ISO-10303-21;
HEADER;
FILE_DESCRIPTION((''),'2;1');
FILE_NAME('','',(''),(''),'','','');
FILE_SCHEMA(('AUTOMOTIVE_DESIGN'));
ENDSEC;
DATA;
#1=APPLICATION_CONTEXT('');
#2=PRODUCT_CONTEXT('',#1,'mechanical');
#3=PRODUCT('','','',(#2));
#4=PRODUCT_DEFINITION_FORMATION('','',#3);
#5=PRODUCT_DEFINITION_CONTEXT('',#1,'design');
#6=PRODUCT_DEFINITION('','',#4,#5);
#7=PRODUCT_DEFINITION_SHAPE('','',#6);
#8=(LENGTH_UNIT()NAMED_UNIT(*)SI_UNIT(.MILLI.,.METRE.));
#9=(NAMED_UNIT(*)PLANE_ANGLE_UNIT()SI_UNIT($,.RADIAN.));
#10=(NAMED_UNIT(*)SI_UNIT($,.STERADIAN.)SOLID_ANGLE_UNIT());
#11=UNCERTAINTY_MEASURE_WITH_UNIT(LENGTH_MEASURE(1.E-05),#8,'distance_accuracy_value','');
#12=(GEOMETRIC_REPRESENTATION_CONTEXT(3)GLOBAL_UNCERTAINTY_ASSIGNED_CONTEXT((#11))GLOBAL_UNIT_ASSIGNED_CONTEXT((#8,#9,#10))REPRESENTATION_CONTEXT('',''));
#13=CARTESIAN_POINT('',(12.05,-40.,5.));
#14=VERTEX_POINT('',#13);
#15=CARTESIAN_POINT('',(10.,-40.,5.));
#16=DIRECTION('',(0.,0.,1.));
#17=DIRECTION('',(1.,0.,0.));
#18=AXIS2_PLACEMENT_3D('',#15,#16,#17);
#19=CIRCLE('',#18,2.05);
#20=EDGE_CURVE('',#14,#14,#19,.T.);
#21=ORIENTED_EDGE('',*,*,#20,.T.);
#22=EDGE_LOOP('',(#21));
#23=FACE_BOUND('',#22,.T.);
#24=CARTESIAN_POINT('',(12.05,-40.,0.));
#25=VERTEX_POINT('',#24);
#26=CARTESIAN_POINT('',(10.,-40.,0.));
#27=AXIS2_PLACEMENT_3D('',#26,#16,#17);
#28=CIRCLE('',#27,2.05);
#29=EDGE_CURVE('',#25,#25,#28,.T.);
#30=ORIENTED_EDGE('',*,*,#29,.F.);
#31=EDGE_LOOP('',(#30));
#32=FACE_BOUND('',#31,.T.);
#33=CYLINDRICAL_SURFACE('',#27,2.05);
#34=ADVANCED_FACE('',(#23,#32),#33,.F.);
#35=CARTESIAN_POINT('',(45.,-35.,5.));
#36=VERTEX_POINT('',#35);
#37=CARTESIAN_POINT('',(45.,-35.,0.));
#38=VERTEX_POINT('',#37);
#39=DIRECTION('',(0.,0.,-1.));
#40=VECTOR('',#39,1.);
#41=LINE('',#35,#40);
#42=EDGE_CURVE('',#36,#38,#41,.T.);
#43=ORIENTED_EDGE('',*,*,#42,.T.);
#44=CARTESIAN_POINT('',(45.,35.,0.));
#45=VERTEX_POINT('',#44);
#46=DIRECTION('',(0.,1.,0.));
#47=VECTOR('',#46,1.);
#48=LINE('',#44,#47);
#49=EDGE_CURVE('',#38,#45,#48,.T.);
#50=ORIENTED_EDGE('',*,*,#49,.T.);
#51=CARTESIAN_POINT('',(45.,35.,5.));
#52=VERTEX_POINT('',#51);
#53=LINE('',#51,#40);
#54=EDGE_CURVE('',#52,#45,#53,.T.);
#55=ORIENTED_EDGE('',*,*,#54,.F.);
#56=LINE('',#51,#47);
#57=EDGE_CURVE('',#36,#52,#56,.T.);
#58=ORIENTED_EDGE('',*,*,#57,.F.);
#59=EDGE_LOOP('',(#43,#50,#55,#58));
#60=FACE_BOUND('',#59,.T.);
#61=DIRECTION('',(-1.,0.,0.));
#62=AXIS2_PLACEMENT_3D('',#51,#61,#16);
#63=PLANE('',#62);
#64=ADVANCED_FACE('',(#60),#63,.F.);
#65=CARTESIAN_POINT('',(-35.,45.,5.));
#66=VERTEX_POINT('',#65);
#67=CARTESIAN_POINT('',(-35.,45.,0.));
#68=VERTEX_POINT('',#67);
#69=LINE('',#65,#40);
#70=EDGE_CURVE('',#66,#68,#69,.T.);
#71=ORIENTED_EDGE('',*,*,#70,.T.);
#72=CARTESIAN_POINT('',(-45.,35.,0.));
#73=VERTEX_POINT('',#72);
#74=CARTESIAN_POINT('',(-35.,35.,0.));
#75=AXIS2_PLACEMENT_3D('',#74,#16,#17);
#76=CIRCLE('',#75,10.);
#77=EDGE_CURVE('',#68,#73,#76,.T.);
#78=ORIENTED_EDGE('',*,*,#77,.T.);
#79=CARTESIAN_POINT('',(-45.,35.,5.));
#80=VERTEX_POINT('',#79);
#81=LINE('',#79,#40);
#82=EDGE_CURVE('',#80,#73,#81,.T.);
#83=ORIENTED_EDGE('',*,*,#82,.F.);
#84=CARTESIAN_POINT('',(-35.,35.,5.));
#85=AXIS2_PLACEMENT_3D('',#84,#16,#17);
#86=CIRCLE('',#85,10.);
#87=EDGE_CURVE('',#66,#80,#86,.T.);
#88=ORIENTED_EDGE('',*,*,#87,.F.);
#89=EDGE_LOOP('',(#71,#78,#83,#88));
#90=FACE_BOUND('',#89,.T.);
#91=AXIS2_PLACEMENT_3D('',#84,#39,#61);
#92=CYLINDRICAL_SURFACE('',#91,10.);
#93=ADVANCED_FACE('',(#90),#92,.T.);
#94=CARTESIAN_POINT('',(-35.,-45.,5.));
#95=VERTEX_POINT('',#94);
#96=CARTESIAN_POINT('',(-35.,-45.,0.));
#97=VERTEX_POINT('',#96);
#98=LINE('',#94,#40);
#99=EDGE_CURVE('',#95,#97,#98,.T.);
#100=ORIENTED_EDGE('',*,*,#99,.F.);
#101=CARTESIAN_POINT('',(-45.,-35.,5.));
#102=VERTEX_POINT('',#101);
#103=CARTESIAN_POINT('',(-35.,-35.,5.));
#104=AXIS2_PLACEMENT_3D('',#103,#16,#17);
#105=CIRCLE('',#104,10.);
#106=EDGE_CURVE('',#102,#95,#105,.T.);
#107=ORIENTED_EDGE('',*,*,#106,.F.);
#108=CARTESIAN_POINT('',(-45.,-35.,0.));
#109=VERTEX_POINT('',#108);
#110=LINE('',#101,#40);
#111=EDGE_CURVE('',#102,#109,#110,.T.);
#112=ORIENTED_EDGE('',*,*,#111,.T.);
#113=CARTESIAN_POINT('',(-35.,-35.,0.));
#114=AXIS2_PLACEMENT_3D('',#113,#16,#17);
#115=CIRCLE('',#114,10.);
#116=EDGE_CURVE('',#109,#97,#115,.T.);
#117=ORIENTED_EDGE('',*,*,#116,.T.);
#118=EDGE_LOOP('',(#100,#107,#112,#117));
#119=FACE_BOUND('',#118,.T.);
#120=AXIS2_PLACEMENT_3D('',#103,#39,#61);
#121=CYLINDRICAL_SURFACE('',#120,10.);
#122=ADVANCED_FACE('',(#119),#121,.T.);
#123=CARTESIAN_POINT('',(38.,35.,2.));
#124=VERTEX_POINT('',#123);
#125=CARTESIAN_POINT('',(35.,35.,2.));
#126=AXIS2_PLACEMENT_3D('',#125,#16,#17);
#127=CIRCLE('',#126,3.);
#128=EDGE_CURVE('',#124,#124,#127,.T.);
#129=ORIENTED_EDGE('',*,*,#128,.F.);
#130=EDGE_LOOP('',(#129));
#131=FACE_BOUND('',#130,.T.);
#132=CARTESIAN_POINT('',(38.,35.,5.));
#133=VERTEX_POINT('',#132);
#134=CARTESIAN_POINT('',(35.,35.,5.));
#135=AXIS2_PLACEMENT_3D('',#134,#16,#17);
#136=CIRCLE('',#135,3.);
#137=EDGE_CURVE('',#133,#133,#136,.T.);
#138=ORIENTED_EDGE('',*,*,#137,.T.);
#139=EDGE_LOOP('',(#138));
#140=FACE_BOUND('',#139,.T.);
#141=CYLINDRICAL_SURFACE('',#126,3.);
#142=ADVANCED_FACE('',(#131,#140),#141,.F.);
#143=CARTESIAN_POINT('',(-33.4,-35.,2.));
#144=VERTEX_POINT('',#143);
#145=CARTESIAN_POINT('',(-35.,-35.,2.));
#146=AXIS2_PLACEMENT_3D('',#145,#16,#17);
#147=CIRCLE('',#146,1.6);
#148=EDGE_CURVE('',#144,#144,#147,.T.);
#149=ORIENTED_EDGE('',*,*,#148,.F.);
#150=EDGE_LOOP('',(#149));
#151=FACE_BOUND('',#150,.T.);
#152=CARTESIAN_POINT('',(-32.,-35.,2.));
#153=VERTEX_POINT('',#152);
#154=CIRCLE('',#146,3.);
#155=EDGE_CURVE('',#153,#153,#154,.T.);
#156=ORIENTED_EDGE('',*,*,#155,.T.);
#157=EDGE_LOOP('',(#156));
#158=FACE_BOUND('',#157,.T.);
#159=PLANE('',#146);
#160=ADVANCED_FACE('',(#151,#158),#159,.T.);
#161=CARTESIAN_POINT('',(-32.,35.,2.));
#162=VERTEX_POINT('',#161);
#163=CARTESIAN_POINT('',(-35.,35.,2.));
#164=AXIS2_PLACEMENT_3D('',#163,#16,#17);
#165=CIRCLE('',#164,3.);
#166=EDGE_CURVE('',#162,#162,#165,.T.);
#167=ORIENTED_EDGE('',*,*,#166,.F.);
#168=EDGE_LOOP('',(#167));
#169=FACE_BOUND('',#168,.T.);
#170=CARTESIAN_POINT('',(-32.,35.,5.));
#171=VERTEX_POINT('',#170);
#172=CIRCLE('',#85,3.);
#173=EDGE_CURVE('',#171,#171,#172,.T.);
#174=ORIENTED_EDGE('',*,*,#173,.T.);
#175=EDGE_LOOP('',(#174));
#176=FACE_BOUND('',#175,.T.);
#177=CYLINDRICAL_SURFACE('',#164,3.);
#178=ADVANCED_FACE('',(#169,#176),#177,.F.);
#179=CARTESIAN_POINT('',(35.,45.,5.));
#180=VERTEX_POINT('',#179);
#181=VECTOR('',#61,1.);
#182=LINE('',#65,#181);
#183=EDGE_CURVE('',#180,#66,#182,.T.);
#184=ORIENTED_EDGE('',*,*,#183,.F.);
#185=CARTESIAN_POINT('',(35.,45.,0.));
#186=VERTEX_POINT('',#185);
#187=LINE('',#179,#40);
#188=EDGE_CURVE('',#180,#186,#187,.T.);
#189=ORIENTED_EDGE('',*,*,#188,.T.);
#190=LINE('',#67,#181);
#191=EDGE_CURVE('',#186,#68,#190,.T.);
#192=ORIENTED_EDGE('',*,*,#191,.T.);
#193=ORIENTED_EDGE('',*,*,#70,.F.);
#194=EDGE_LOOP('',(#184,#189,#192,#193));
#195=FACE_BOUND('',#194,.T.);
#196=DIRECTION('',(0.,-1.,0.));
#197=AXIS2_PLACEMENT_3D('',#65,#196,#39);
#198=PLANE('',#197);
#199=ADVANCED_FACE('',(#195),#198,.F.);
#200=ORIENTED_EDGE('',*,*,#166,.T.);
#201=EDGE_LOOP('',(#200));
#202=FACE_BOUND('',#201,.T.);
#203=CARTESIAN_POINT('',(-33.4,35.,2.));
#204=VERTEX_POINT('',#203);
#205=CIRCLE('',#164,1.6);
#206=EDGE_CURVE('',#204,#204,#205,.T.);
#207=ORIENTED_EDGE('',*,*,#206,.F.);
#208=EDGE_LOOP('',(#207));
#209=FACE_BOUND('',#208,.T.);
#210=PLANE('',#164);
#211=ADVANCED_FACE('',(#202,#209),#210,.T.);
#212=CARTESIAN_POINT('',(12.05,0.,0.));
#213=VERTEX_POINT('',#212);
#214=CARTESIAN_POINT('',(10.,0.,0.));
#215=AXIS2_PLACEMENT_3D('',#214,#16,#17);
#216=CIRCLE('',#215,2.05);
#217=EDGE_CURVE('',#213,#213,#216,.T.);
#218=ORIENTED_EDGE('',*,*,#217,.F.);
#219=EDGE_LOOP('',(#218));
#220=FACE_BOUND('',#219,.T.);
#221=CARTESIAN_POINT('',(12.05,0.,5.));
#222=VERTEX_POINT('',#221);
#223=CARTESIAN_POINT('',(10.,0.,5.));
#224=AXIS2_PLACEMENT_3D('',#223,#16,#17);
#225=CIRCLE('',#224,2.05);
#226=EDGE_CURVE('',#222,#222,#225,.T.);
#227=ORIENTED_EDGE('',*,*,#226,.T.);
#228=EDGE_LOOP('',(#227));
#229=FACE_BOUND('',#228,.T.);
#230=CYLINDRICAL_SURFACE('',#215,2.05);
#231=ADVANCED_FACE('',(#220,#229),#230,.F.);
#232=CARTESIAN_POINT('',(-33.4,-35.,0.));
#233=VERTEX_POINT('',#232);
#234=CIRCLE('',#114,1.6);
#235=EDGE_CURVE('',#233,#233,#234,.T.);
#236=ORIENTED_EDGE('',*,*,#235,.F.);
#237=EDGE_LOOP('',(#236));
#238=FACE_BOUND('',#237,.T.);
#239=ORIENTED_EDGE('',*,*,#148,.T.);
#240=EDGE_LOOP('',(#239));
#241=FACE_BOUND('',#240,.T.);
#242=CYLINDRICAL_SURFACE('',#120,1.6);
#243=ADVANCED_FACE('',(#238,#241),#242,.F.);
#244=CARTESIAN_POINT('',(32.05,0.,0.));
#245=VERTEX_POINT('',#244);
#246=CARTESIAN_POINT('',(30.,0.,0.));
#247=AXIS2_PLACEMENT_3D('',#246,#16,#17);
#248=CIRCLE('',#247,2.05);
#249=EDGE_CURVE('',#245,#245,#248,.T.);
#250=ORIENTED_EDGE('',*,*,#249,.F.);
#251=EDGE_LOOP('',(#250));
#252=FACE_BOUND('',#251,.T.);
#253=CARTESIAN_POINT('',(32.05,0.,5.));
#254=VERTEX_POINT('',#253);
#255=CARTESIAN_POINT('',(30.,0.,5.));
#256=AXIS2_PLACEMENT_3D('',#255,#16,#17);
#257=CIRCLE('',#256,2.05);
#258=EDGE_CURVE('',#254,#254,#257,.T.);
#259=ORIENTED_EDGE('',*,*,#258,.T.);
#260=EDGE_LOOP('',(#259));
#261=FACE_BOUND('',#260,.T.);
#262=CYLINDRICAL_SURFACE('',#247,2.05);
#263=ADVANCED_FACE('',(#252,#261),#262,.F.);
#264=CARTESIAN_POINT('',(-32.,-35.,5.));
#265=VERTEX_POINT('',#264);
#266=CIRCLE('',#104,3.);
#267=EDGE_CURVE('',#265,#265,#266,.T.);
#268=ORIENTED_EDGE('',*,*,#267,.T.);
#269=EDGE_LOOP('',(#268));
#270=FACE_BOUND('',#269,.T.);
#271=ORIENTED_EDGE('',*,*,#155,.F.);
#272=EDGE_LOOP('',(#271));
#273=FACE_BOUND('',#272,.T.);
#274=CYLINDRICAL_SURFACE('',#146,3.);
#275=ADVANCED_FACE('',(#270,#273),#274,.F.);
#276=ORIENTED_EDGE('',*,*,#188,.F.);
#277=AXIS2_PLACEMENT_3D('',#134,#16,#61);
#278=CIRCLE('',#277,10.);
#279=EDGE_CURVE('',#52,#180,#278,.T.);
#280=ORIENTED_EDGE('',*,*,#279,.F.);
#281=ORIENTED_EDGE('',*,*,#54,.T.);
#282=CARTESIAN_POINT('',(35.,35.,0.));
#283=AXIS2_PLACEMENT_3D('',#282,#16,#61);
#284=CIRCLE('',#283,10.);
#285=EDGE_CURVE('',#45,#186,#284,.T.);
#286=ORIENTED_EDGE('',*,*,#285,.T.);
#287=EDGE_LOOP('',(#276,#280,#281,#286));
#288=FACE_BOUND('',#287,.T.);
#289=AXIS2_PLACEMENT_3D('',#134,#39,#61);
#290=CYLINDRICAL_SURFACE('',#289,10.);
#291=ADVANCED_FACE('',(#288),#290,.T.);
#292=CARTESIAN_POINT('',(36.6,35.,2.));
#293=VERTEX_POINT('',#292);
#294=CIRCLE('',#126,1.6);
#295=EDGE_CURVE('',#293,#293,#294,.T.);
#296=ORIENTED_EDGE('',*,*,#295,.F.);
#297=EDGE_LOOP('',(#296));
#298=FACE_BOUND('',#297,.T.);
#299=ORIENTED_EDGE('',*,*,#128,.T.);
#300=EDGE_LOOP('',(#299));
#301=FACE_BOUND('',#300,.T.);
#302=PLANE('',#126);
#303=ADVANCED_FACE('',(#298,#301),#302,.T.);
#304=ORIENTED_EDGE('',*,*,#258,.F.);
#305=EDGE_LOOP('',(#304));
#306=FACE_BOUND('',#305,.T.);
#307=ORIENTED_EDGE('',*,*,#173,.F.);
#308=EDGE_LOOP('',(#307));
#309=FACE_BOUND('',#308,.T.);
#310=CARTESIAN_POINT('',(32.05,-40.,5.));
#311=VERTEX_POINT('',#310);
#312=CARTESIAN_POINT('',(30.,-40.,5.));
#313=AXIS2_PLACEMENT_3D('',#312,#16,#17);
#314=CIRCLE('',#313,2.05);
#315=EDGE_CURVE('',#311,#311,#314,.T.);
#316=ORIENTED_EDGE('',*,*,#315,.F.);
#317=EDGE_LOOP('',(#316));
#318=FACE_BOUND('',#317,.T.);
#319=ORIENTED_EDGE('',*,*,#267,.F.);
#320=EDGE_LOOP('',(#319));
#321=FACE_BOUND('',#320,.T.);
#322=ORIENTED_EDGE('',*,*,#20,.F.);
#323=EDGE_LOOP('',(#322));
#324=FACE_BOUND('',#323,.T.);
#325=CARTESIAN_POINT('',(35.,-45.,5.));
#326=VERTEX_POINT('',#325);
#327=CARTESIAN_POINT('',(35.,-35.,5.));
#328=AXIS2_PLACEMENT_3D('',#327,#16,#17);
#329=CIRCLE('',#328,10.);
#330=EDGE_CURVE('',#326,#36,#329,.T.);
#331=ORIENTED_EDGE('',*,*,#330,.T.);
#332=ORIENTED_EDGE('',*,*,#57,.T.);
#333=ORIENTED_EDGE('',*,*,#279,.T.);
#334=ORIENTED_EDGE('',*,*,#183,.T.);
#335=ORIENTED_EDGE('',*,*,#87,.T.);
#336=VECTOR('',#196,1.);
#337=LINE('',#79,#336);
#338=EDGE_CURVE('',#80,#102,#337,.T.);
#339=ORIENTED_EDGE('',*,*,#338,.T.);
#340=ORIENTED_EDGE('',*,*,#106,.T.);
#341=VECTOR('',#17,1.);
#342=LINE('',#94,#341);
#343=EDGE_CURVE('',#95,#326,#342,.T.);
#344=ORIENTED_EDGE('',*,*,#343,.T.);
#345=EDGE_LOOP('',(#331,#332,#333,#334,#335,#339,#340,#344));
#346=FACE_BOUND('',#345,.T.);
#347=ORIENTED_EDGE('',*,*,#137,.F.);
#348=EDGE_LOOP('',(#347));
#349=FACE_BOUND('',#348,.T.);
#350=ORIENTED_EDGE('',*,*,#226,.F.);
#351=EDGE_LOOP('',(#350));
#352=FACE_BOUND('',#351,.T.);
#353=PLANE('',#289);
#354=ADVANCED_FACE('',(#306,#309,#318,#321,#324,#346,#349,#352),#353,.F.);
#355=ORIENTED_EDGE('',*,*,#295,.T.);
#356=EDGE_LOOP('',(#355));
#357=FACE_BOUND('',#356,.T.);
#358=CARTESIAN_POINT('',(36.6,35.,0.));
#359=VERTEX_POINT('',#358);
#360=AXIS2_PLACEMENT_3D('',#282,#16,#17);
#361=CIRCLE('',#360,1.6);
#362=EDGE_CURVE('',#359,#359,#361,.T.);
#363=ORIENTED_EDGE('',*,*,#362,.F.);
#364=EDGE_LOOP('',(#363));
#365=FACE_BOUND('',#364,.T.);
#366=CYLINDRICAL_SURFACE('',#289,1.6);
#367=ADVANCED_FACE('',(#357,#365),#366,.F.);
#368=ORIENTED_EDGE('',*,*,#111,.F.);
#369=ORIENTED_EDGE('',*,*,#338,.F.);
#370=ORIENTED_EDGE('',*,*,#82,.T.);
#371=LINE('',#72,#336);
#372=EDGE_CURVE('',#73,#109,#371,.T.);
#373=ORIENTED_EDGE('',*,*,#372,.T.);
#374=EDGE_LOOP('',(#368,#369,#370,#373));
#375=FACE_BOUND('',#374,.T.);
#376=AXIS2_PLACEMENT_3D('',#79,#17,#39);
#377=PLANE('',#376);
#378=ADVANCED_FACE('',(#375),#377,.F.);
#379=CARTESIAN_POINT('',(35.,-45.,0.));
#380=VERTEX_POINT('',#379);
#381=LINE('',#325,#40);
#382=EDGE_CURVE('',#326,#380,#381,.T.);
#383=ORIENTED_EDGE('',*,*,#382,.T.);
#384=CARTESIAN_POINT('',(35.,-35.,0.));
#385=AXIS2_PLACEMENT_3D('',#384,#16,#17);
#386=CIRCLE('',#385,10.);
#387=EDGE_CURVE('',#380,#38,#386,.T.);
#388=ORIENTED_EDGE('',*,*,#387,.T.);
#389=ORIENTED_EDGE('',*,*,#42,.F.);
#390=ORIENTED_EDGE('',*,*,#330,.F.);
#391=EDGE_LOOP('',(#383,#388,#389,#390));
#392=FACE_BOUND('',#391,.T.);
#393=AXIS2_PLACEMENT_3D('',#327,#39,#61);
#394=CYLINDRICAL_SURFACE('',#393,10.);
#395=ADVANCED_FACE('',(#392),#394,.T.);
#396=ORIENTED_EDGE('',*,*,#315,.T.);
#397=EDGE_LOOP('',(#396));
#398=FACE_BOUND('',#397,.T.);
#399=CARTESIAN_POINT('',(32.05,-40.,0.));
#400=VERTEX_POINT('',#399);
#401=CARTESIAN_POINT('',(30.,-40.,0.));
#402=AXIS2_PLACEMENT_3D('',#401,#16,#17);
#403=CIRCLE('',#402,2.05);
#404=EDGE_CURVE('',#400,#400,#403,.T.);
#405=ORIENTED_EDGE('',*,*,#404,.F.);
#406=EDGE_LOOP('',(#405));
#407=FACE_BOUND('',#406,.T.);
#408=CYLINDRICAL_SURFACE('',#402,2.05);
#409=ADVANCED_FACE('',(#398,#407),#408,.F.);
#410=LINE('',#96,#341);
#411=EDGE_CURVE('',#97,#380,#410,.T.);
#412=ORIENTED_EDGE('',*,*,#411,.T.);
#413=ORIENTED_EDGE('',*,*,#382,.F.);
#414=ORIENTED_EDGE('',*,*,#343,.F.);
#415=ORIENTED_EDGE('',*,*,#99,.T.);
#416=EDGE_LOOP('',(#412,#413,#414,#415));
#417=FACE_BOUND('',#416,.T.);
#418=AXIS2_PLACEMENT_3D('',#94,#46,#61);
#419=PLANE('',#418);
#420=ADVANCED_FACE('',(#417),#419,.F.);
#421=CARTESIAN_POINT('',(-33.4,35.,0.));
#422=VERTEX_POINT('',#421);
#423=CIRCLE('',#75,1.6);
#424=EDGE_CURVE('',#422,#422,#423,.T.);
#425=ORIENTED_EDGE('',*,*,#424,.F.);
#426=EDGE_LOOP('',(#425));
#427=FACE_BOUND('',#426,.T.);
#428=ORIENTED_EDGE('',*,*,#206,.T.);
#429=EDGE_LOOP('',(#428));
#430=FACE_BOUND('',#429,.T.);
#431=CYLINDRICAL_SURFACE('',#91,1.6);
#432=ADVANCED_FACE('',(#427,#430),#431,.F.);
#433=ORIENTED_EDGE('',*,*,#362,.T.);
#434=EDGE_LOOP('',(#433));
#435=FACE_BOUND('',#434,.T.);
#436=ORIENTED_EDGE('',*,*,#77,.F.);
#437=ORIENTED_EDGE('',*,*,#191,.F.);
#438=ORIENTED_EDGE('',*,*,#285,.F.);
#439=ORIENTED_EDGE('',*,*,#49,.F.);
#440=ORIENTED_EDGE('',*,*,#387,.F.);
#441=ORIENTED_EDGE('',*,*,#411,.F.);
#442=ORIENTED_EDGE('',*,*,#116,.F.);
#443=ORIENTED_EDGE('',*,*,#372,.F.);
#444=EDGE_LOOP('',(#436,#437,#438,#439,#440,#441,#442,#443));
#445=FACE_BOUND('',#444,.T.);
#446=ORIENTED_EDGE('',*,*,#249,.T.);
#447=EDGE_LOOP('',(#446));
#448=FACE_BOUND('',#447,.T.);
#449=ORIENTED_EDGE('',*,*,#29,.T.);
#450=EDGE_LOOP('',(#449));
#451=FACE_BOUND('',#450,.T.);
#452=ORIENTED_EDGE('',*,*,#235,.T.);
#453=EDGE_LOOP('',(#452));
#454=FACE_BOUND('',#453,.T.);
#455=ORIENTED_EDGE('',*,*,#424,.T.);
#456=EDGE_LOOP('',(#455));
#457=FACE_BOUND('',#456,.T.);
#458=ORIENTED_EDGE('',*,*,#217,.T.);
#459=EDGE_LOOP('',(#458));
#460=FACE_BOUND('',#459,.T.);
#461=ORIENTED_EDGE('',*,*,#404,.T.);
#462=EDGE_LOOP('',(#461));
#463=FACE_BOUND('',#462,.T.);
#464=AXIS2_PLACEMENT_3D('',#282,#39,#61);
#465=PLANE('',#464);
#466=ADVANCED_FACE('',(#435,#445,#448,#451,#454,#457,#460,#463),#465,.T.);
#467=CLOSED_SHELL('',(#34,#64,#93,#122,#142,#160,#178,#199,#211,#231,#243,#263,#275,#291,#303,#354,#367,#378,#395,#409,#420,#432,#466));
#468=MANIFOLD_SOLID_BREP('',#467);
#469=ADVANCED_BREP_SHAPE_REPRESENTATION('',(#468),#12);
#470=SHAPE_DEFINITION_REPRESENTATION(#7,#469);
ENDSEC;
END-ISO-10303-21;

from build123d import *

# Parameters (mm, degrees)
SKETCH_1_R          = 1.6
EXTRUDE_1_DEPTH     = 5
SKETCH_2_R          = 3
CUT_EXTRUDE_1_DEPTH = 3
SKETCH_3_R          = 2.05
CUT_EXTRUDE_2_DEPTH = 64.835726674


with BuildPart() as part:
    # ｽｹｯﾁ1 → ﾎﾞｽ - 押し出し1 (new body)
    with BuildSketch(Plane.XY):
        with BuildLine():
            Line((-35, 45), (35, 45))
            ThreePointArc((35, 45), (42.071067812, 42.071067812), (45, 35))
            Line((45, 35), (45, -35))
            ThreePointArc((45, -35), (42.071067812, -42.071067812), (35, -45))
            Line((35, -45), (-35, -45))
            ThreePointArc((-35, -45), (-42.071067812, -42.071067812), (-45, -35))
            Line((-45, -35), (-45, 35))
            ThreePointArc((-45, 35), (-42.071067812, 42.071067812), (-35, 45))
        make_face()
        with Locations((-35, -35)):
            Circle(SKETCH_1_R, mode=Mode.SUBTRACT)
        with Locations((-35, 35)):
            Circle(SKETCH_1_R, mode=Mode.SUBTRACT)
        with Locations((35, 35)):
            Circle(SKETCH_1_R, mode=Mode.SUBTRACT)
    extrude(amount=EXTRUDE_1_DEPTH)

    # ｽｹｯﾁ2 → ｶｯﾄ - 押し出し1 (cut)
    with BuildSketch(Plane.XY.offset(5)):
        with Locations((-35, 35)):
            Circle(SKETCH_2_R)
        with Locations((35, 35)):
            Circle(SKETCH_2_R)
        with Locations((-35, -35)):
            Circle(SKETCH_2_R)
    extrude(amount=-CUT_EXTRUDE_1_DEPTH, mode=Mode.SUBTRACT)

    # ｽｹｯﾁ3 → ｶｯﾄ - 押し出し2 (cut, through all)
    with BuildSketch(Plane.XY.offset(5)):
        with Locations((30, 0)):
            Circle(SKETCH_3_R)
        with Locations((10, 0)):
            Circle(SKETCH_3_R)
        with Locations((10, -40)):
            Circle(SKETCH_3_R)
        with Locations((30, -40)):
            Circle(SKETCH_3_R)
    extrude(amount=-CUT_EXTRUDE_2_DEPTH, mode=Mode.SUBTRACT)


solid = part.part
